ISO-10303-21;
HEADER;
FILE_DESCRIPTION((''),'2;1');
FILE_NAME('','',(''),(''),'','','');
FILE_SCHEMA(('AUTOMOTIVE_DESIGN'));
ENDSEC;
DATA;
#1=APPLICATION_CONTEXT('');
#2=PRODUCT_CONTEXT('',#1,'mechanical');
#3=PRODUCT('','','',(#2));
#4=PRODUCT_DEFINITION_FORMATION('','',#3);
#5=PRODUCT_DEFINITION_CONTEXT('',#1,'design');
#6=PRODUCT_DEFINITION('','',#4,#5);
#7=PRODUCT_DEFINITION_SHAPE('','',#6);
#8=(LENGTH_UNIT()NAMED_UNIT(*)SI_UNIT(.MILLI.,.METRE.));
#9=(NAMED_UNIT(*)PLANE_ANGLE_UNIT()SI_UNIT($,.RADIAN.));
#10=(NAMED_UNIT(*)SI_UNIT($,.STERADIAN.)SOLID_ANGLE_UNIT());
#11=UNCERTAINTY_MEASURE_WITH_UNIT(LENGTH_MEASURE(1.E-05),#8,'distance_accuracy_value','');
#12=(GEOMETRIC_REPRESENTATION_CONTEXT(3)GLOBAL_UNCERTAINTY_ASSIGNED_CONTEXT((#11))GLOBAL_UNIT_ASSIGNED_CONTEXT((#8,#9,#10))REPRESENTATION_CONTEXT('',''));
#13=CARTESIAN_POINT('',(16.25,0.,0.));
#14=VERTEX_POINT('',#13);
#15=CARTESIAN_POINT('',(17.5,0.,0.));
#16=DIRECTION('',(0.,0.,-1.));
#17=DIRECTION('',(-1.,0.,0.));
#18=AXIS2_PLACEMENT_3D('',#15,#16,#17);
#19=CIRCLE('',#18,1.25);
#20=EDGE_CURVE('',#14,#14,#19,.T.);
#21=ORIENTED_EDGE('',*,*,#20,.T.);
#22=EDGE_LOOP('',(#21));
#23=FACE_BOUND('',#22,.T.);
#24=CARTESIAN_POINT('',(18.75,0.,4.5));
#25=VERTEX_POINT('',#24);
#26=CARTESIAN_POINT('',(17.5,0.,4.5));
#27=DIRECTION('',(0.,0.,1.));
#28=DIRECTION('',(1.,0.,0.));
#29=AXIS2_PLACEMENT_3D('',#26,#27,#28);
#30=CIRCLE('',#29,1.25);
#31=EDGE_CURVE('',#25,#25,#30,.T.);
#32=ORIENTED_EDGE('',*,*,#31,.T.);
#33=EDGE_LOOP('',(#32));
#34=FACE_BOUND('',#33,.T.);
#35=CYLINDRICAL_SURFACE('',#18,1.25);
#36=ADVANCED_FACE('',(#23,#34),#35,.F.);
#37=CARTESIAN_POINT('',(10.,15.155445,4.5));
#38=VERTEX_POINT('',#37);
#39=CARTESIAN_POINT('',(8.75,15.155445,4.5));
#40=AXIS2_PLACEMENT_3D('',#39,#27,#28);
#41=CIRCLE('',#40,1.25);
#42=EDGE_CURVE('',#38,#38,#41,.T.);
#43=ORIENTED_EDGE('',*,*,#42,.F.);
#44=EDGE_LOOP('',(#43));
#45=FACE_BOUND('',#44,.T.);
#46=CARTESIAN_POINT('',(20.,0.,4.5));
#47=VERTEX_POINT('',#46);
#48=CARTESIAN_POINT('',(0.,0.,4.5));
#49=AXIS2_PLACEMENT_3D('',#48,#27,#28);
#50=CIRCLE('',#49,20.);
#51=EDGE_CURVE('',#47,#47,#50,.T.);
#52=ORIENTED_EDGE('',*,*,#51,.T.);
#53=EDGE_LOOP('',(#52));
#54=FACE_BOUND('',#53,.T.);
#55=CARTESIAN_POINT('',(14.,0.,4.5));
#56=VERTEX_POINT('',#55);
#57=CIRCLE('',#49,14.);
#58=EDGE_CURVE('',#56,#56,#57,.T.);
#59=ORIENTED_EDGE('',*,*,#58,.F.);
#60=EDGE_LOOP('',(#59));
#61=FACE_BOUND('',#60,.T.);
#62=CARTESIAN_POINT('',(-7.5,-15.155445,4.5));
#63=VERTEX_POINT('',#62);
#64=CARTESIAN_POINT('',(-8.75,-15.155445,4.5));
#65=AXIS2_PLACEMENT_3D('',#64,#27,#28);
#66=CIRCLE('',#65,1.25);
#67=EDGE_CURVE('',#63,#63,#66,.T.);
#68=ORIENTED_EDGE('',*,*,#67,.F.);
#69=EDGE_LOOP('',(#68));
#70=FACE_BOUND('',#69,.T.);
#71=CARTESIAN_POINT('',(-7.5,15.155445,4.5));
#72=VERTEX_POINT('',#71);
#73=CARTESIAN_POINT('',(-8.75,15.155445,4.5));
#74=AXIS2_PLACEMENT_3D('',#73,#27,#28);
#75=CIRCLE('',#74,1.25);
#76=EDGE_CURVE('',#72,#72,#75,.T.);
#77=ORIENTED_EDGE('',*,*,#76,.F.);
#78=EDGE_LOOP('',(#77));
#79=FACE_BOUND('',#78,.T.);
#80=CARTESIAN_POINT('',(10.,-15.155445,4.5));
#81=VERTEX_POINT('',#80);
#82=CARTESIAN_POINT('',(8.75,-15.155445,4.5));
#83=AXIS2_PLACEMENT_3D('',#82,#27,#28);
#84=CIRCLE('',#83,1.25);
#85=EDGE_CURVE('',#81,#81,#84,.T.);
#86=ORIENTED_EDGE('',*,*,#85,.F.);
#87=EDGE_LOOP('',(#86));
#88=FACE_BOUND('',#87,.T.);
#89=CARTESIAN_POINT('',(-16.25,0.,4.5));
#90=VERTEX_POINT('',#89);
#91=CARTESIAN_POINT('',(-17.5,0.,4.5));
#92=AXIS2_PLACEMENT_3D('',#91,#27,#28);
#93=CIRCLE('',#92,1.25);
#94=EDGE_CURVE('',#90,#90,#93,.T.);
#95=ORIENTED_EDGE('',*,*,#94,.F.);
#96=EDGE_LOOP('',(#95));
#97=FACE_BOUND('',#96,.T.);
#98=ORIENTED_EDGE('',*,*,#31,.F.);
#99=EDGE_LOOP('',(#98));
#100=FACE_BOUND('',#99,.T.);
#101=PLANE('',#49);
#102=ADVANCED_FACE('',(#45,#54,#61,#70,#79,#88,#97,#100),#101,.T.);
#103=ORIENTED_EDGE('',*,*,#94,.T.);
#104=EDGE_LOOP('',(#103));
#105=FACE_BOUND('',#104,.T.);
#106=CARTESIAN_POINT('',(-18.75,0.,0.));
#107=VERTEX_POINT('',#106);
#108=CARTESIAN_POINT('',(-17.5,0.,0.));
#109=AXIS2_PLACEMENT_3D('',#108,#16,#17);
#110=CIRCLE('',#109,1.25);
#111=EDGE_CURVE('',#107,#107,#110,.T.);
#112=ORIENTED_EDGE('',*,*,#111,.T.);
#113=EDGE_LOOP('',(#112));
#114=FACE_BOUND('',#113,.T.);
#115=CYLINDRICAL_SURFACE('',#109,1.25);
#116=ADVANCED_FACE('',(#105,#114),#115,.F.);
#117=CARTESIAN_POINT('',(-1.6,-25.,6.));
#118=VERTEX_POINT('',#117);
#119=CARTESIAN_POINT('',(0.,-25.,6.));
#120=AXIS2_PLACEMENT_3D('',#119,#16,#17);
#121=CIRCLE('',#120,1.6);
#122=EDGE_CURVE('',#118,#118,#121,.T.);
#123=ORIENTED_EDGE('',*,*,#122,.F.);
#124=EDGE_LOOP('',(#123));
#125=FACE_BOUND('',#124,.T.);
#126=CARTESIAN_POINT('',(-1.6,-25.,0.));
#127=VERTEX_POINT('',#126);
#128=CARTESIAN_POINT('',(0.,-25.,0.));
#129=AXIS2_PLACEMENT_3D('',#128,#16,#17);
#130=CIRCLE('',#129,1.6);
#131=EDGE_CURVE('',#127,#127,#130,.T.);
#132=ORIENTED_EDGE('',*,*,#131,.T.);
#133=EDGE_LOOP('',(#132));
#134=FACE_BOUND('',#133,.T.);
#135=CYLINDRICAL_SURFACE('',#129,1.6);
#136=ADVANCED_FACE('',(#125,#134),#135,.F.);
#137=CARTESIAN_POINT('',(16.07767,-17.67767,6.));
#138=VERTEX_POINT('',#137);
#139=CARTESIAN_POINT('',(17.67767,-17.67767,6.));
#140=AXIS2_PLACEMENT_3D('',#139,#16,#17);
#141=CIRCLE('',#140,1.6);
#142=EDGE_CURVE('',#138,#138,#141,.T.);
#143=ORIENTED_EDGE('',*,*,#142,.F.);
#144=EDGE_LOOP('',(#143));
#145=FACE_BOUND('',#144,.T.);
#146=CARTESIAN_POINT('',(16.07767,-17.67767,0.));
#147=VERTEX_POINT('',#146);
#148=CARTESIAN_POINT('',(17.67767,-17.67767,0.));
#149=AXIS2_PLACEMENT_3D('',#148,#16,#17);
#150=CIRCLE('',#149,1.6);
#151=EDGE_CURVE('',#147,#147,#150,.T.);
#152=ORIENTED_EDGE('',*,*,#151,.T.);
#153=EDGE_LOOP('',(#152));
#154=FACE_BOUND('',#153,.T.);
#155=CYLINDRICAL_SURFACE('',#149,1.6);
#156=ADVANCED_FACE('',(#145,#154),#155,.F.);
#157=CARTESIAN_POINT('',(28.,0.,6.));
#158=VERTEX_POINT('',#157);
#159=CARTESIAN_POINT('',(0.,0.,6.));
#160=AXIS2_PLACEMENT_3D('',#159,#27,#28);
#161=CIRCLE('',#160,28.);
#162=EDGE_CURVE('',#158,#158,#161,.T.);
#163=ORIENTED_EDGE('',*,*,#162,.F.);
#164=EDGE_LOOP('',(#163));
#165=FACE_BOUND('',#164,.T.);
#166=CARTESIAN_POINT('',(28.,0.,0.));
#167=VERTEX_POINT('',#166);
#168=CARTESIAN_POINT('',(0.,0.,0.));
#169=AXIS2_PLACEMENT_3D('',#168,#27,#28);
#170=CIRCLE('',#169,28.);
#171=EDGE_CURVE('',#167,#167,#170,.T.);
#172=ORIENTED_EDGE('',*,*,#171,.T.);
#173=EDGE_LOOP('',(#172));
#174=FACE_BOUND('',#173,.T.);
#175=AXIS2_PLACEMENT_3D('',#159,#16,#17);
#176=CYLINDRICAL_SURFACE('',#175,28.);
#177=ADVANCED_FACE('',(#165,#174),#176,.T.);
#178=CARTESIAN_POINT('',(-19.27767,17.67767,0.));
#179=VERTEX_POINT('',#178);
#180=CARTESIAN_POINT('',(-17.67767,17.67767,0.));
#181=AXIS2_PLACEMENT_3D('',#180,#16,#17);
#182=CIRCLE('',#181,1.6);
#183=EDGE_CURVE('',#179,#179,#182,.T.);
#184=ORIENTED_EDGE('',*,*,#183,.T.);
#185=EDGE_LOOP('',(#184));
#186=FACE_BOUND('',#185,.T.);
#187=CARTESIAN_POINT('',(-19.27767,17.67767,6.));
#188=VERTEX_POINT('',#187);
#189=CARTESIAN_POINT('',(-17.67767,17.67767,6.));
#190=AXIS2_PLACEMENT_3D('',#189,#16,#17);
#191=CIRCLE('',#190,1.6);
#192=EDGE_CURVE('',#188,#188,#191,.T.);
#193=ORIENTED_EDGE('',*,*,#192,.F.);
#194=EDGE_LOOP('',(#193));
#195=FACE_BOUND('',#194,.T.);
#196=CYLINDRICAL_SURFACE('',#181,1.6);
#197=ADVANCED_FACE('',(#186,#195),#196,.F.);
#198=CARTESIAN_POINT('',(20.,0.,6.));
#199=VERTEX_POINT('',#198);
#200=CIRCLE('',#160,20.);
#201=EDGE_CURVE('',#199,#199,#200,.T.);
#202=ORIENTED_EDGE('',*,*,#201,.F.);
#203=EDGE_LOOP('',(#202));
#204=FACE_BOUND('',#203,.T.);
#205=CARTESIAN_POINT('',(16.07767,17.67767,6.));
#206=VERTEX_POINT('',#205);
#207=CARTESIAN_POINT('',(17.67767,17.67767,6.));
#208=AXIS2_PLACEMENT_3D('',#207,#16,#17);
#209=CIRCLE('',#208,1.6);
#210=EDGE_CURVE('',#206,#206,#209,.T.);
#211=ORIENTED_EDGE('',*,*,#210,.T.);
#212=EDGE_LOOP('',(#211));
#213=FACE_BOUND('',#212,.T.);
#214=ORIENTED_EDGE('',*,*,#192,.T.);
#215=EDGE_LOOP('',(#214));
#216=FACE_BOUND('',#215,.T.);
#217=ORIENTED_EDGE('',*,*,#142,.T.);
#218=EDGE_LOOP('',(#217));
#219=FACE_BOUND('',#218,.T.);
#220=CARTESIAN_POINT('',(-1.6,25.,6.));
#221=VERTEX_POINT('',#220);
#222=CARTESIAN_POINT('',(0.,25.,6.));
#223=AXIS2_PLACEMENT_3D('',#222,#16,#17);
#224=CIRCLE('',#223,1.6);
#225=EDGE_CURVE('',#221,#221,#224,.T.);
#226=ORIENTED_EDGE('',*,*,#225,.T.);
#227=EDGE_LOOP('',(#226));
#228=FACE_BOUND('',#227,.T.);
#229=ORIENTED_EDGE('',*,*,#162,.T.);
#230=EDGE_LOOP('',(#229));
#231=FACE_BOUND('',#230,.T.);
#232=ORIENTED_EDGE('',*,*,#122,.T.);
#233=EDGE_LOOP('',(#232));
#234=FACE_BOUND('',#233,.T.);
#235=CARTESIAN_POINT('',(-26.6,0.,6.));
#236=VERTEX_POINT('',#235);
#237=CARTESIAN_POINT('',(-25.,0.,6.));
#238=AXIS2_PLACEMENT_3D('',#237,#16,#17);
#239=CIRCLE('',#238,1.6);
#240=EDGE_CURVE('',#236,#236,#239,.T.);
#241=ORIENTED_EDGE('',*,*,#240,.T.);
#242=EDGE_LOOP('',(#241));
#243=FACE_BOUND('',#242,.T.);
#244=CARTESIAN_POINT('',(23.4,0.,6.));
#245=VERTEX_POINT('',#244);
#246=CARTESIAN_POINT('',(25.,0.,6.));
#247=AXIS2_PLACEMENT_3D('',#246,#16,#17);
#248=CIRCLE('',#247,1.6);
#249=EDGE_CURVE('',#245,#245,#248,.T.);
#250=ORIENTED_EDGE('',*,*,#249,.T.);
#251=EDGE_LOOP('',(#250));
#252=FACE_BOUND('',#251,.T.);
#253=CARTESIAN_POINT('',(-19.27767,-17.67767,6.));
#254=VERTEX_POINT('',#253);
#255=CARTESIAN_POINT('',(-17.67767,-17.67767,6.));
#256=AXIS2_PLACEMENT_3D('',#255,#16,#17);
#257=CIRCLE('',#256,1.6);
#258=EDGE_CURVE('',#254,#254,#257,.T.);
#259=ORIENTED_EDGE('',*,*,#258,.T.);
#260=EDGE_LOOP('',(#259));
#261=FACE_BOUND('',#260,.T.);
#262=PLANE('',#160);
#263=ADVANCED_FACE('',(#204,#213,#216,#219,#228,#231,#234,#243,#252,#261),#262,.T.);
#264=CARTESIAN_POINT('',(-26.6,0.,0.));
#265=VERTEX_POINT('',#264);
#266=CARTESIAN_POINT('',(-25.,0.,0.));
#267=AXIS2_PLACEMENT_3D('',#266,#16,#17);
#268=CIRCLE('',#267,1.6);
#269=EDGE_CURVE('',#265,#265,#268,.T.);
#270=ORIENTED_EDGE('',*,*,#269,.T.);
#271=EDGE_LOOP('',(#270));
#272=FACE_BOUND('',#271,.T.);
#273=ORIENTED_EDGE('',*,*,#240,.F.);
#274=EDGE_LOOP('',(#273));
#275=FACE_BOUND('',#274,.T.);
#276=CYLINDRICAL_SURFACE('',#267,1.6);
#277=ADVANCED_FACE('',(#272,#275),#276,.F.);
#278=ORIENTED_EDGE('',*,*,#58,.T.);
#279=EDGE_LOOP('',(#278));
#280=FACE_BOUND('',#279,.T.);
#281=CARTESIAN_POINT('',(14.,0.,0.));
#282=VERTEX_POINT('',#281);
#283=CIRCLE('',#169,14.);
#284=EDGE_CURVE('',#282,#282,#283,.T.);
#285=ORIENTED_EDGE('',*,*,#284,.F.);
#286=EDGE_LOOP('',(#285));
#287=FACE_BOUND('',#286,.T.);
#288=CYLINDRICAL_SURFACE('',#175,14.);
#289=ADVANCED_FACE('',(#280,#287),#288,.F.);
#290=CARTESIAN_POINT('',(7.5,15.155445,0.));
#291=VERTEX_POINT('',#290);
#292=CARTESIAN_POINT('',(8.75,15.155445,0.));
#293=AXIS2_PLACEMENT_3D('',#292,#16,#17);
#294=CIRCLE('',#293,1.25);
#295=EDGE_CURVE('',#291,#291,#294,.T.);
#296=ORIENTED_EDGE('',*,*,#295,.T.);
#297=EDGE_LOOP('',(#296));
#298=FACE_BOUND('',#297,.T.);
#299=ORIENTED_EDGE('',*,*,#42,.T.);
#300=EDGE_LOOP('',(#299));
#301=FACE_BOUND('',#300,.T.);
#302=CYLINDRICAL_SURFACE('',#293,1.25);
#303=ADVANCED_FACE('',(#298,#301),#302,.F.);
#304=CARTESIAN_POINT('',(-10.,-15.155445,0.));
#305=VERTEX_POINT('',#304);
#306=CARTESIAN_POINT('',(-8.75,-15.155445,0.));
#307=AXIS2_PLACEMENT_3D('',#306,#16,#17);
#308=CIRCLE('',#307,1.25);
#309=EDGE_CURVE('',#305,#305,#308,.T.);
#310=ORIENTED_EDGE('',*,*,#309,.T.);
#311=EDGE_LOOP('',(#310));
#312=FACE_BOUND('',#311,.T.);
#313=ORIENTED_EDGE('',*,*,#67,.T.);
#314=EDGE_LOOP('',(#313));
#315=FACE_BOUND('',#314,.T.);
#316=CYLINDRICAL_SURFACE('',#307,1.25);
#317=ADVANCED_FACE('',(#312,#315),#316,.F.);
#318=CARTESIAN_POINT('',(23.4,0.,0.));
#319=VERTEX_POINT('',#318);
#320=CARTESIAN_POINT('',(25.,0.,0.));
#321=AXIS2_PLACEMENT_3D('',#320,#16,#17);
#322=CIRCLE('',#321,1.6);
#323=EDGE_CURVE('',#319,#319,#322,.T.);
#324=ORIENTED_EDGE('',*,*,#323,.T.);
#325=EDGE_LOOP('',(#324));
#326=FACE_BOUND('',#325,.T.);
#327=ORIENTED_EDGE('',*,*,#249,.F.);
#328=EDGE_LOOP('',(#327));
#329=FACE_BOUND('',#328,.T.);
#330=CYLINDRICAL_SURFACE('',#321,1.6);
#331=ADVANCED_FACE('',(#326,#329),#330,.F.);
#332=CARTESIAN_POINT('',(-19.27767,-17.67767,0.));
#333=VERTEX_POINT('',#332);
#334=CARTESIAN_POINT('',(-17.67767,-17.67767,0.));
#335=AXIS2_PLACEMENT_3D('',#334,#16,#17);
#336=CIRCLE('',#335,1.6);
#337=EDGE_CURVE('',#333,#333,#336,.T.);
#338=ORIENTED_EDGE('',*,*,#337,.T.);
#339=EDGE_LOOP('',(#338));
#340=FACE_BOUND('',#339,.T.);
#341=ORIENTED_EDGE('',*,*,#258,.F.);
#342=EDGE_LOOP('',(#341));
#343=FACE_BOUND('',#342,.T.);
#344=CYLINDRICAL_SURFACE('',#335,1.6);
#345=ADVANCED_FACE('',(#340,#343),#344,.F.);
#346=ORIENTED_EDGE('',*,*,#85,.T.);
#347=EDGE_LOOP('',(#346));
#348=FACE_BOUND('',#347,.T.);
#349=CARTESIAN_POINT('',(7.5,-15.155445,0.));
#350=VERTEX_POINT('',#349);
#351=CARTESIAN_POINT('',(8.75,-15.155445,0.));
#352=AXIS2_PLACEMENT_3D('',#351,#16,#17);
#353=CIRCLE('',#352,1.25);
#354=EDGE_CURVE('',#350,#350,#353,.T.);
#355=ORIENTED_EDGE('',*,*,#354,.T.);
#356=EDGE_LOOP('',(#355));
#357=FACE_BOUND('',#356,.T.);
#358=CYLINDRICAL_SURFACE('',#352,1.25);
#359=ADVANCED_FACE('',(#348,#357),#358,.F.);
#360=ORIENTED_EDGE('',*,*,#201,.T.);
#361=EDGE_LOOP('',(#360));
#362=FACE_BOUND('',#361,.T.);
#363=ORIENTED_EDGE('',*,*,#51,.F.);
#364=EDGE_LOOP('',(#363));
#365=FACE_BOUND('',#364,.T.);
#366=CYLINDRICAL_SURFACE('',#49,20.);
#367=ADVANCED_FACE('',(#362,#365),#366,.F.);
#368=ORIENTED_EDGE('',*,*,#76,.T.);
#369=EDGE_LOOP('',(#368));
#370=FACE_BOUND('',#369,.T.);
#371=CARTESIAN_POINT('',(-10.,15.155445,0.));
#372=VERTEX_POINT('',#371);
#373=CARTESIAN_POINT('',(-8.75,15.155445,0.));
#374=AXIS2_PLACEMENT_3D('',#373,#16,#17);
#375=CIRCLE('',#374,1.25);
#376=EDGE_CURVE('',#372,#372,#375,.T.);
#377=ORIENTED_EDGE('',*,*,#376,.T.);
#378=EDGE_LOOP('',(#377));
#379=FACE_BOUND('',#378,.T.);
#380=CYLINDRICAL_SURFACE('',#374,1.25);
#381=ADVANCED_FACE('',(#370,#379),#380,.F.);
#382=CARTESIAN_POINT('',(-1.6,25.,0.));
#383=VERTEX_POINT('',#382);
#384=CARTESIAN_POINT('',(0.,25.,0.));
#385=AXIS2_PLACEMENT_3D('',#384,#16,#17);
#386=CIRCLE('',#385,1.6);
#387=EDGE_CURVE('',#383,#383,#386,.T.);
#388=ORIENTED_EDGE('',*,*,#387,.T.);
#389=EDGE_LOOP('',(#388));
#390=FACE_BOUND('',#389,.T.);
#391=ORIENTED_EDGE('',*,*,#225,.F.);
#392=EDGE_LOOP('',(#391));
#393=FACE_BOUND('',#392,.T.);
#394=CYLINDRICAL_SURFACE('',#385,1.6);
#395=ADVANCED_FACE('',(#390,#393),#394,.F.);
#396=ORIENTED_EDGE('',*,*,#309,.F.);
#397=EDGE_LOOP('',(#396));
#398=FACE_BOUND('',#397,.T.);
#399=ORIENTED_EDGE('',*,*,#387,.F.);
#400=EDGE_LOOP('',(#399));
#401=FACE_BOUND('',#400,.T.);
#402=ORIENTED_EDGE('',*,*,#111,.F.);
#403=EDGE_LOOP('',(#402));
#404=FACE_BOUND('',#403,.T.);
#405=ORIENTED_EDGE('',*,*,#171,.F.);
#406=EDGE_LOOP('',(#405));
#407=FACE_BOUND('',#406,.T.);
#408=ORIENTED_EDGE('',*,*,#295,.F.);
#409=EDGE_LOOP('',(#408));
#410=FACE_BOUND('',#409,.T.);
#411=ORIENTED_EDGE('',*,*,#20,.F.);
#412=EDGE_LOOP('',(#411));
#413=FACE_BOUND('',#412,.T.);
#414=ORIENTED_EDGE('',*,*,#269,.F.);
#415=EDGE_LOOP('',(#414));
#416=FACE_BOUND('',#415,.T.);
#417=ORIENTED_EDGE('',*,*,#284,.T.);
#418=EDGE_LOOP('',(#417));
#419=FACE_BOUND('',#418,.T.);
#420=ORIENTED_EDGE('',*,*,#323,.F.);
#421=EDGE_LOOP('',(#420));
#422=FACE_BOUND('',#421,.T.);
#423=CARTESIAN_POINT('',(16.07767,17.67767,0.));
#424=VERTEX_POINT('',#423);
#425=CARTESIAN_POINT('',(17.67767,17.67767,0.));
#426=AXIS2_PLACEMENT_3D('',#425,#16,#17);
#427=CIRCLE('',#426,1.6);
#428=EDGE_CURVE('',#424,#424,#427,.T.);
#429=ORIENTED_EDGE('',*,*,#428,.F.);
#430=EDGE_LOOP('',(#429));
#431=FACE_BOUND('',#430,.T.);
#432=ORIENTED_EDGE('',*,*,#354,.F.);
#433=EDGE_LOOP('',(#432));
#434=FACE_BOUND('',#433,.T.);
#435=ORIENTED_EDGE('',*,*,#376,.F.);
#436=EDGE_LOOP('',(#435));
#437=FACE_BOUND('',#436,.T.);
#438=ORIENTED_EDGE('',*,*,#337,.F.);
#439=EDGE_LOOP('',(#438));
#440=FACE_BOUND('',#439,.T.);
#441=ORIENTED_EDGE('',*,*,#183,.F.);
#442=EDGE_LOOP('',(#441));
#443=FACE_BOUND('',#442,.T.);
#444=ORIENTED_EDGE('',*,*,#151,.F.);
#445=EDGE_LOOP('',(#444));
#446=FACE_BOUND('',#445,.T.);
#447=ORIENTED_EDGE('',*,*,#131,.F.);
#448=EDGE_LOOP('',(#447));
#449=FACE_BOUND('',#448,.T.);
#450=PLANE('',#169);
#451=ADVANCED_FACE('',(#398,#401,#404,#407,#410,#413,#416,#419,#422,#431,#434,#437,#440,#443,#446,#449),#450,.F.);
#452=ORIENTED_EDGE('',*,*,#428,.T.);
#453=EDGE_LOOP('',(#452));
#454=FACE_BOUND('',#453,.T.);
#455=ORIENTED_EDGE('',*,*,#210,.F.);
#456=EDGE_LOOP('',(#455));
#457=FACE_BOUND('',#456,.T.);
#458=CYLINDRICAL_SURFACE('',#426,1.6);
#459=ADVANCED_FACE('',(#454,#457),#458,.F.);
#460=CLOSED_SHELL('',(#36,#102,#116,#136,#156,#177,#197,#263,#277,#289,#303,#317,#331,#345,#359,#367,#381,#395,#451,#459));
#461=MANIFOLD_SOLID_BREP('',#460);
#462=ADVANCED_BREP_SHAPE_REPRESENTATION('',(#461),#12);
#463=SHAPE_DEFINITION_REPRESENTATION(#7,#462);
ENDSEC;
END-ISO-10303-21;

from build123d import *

# Parameters (mm, degrees)
SKETCH_1_R          = 28
SKETCH_1_R_2        = 14
EXTRUDE_1_DEPTH     = 6
CUT_EXTRUDE_START   = 4.5
SKETCH_1_4_R        = 20
SKETCH_1_4_R_2      = 14
CUT_EXTRUDE_1_DEPTH = 1.5
M3X0_5_1_D          = 2.5
HOLE_WIZARD_M3_1_D  = 3.2


with BuildPart() as part:
    # ｽｹｯﾁ1 → ﾎﾞｽ - 押し出し1 (new body)
    with BuildSketch(Plane.XY):
        Circle(SKETCH_1_R)
        Circle(SKETCH_1_R_2, mode=Mode.SUBTRACT)
    extrude(amount=EXTRUDE_1_DEPTH)

    # ｽｹｯﾁ1<4> → ｶｯﾄ - 押し出し1 (cut)
    with BuildSketch(Plane.XY.offset(CUT_EXTRUDE_START)):
        Circle(SKETCH_1_4_R)
        Circle(SKETCH_1_4_R_2, mode=Mode.SUBTRACT)
    extrude(amount=CUT_EXTRUDE_1_DEPTH, mode=Mode.SUBTRACT)

    # M3x0.5 ねじ穴用ねじ下穴ﾄﾞﾘﾙ1 (through all)
    with Locations(Plane(origin=(17.5, 0, 0), x_dir=(-1, 0, 0), z_dir=(0, 0, -1))):
        with Locations((0, 0), (8.75, -15.155444566), (26.25, -15.155444566), (35, 0), (26.25, 15.155444566), (8.75, 15.155444566)):
            Hole(M3X0_5_1_D / 2)

    # M3 すきま穴1 (through all)
    with Locations(Plane(origin=(0, 25, 0), x_dir=(-1, 0, 0), z_dir=(0, 0, -1))):
        with Locations((0, 0), (-17.67766953, -7.32233047), (-25, -25), (-17.67766953, -42.67766953), (0, -50), (17.67766953, -42.67766953), (25, -25), (17.67766953, -7.32233047)):
            Hole(HOLE_WIZARD_M3_1_D / 2)


solid = part.part
